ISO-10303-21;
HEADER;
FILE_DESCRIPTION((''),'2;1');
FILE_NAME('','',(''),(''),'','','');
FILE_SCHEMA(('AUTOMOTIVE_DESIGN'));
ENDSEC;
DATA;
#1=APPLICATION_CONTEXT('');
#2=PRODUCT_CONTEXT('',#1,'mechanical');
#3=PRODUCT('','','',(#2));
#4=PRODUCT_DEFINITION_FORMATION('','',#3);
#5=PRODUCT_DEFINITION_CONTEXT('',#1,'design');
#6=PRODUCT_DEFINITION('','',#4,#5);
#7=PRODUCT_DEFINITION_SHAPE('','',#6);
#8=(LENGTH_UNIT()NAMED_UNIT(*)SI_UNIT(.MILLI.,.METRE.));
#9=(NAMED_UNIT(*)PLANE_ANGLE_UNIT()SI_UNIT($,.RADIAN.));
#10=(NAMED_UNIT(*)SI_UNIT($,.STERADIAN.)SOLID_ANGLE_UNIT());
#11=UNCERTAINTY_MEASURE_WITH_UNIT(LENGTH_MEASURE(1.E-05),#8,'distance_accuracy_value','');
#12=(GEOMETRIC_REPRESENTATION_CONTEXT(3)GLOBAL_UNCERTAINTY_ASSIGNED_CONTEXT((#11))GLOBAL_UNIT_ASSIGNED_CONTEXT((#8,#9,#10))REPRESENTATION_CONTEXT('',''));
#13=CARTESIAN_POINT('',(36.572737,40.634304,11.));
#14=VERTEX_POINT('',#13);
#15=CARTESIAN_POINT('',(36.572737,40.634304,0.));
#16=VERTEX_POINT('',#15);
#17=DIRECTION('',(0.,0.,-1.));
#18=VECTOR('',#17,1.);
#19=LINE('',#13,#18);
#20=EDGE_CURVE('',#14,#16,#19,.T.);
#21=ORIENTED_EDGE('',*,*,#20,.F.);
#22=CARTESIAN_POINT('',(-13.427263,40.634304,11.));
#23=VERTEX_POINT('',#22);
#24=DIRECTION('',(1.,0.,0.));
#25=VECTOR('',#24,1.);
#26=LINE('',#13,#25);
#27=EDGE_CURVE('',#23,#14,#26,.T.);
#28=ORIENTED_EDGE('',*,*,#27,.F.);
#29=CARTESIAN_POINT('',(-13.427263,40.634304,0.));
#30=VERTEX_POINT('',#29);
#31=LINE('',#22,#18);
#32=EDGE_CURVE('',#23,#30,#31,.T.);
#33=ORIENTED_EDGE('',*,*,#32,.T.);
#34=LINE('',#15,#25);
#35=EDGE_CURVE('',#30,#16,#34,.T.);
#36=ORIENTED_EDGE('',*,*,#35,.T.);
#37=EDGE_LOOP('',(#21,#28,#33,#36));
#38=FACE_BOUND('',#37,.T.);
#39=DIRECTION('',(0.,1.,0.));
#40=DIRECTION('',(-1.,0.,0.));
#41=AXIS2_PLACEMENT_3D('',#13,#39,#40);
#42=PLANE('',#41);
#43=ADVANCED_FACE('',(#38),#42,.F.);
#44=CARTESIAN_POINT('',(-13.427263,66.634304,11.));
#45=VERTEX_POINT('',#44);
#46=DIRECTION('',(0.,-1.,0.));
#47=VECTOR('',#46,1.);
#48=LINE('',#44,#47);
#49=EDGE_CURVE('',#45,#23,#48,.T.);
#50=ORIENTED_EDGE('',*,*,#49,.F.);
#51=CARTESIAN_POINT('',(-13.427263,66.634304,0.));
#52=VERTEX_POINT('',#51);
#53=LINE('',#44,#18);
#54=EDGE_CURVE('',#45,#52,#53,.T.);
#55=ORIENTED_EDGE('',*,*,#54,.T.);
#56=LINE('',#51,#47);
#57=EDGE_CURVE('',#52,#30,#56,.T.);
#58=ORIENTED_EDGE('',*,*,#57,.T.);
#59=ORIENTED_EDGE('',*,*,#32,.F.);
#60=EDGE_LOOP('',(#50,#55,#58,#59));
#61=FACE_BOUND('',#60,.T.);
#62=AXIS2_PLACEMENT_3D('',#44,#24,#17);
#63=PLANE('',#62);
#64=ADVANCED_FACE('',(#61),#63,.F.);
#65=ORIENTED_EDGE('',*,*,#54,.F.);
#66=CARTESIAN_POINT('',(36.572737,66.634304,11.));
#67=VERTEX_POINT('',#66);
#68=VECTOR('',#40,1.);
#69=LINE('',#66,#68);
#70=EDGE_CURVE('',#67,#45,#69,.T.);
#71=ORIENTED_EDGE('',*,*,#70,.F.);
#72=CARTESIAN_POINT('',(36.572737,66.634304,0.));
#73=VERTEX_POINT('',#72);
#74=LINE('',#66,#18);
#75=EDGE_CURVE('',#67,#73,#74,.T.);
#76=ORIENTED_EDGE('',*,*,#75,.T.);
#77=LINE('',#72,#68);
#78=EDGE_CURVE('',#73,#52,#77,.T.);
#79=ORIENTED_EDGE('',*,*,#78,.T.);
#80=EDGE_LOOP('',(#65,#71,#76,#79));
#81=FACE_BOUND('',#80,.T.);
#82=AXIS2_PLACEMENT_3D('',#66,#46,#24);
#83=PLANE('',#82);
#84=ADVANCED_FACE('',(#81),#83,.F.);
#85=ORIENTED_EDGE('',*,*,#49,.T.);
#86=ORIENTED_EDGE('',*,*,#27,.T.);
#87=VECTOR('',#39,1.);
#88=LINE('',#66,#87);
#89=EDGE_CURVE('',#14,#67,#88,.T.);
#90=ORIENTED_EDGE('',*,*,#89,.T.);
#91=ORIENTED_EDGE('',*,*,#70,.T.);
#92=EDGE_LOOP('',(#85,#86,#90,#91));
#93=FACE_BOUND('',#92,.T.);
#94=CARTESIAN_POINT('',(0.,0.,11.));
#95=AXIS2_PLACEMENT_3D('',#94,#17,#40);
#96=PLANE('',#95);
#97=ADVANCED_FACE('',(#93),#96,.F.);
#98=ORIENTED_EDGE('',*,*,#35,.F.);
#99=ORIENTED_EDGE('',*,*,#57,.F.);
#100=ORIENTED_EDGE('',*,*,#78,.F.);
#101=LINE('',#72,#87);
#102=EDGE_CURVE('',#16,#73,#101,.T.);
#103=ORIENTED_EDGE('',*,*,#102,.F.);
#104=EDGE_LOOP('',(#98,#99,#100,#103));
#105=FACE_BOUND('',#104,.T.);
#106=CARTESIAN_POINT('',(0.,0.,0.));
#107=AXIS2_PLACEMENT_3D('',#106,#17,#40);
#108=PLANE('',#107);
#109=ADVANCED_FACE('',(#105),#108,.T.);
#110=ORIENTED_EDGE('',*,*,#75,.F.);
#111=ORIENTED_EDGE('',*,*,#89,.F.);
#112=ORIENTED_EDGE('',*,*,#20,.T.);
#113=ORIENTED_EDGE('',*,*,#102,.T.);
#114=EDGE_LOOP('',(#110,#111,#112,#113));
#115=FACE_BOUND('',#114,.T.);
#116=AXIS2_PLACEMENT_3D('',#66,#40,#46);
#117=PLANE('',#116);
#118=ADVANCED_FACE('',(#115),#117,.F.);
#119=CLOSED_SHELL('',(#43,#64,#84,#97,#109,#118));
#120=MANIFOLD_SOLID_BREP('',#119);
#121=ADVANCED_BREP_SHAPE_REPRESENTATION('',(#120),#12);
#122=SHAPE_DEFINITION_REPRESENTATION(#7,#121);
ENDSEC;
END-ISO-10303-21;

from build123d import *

# Parameters (mm, degrees)
SKETCH_1_W      = 50
SKETCH_1_H      = 26
EXTRUDE_1_DEPTH = 11


with BuildPart() as part:
    # Эскиз1 → Бобышка-Вытянуть1 (new body)
    with BuildSketch(Plane.XY):
        with Locations((11.572736916, 53.63430368)):
            Rectangle(SKETCH_1_W, SKETCH_1_H)
    extrude(amount=EXTRUDE_1_DEPTH)


solid = part.part
